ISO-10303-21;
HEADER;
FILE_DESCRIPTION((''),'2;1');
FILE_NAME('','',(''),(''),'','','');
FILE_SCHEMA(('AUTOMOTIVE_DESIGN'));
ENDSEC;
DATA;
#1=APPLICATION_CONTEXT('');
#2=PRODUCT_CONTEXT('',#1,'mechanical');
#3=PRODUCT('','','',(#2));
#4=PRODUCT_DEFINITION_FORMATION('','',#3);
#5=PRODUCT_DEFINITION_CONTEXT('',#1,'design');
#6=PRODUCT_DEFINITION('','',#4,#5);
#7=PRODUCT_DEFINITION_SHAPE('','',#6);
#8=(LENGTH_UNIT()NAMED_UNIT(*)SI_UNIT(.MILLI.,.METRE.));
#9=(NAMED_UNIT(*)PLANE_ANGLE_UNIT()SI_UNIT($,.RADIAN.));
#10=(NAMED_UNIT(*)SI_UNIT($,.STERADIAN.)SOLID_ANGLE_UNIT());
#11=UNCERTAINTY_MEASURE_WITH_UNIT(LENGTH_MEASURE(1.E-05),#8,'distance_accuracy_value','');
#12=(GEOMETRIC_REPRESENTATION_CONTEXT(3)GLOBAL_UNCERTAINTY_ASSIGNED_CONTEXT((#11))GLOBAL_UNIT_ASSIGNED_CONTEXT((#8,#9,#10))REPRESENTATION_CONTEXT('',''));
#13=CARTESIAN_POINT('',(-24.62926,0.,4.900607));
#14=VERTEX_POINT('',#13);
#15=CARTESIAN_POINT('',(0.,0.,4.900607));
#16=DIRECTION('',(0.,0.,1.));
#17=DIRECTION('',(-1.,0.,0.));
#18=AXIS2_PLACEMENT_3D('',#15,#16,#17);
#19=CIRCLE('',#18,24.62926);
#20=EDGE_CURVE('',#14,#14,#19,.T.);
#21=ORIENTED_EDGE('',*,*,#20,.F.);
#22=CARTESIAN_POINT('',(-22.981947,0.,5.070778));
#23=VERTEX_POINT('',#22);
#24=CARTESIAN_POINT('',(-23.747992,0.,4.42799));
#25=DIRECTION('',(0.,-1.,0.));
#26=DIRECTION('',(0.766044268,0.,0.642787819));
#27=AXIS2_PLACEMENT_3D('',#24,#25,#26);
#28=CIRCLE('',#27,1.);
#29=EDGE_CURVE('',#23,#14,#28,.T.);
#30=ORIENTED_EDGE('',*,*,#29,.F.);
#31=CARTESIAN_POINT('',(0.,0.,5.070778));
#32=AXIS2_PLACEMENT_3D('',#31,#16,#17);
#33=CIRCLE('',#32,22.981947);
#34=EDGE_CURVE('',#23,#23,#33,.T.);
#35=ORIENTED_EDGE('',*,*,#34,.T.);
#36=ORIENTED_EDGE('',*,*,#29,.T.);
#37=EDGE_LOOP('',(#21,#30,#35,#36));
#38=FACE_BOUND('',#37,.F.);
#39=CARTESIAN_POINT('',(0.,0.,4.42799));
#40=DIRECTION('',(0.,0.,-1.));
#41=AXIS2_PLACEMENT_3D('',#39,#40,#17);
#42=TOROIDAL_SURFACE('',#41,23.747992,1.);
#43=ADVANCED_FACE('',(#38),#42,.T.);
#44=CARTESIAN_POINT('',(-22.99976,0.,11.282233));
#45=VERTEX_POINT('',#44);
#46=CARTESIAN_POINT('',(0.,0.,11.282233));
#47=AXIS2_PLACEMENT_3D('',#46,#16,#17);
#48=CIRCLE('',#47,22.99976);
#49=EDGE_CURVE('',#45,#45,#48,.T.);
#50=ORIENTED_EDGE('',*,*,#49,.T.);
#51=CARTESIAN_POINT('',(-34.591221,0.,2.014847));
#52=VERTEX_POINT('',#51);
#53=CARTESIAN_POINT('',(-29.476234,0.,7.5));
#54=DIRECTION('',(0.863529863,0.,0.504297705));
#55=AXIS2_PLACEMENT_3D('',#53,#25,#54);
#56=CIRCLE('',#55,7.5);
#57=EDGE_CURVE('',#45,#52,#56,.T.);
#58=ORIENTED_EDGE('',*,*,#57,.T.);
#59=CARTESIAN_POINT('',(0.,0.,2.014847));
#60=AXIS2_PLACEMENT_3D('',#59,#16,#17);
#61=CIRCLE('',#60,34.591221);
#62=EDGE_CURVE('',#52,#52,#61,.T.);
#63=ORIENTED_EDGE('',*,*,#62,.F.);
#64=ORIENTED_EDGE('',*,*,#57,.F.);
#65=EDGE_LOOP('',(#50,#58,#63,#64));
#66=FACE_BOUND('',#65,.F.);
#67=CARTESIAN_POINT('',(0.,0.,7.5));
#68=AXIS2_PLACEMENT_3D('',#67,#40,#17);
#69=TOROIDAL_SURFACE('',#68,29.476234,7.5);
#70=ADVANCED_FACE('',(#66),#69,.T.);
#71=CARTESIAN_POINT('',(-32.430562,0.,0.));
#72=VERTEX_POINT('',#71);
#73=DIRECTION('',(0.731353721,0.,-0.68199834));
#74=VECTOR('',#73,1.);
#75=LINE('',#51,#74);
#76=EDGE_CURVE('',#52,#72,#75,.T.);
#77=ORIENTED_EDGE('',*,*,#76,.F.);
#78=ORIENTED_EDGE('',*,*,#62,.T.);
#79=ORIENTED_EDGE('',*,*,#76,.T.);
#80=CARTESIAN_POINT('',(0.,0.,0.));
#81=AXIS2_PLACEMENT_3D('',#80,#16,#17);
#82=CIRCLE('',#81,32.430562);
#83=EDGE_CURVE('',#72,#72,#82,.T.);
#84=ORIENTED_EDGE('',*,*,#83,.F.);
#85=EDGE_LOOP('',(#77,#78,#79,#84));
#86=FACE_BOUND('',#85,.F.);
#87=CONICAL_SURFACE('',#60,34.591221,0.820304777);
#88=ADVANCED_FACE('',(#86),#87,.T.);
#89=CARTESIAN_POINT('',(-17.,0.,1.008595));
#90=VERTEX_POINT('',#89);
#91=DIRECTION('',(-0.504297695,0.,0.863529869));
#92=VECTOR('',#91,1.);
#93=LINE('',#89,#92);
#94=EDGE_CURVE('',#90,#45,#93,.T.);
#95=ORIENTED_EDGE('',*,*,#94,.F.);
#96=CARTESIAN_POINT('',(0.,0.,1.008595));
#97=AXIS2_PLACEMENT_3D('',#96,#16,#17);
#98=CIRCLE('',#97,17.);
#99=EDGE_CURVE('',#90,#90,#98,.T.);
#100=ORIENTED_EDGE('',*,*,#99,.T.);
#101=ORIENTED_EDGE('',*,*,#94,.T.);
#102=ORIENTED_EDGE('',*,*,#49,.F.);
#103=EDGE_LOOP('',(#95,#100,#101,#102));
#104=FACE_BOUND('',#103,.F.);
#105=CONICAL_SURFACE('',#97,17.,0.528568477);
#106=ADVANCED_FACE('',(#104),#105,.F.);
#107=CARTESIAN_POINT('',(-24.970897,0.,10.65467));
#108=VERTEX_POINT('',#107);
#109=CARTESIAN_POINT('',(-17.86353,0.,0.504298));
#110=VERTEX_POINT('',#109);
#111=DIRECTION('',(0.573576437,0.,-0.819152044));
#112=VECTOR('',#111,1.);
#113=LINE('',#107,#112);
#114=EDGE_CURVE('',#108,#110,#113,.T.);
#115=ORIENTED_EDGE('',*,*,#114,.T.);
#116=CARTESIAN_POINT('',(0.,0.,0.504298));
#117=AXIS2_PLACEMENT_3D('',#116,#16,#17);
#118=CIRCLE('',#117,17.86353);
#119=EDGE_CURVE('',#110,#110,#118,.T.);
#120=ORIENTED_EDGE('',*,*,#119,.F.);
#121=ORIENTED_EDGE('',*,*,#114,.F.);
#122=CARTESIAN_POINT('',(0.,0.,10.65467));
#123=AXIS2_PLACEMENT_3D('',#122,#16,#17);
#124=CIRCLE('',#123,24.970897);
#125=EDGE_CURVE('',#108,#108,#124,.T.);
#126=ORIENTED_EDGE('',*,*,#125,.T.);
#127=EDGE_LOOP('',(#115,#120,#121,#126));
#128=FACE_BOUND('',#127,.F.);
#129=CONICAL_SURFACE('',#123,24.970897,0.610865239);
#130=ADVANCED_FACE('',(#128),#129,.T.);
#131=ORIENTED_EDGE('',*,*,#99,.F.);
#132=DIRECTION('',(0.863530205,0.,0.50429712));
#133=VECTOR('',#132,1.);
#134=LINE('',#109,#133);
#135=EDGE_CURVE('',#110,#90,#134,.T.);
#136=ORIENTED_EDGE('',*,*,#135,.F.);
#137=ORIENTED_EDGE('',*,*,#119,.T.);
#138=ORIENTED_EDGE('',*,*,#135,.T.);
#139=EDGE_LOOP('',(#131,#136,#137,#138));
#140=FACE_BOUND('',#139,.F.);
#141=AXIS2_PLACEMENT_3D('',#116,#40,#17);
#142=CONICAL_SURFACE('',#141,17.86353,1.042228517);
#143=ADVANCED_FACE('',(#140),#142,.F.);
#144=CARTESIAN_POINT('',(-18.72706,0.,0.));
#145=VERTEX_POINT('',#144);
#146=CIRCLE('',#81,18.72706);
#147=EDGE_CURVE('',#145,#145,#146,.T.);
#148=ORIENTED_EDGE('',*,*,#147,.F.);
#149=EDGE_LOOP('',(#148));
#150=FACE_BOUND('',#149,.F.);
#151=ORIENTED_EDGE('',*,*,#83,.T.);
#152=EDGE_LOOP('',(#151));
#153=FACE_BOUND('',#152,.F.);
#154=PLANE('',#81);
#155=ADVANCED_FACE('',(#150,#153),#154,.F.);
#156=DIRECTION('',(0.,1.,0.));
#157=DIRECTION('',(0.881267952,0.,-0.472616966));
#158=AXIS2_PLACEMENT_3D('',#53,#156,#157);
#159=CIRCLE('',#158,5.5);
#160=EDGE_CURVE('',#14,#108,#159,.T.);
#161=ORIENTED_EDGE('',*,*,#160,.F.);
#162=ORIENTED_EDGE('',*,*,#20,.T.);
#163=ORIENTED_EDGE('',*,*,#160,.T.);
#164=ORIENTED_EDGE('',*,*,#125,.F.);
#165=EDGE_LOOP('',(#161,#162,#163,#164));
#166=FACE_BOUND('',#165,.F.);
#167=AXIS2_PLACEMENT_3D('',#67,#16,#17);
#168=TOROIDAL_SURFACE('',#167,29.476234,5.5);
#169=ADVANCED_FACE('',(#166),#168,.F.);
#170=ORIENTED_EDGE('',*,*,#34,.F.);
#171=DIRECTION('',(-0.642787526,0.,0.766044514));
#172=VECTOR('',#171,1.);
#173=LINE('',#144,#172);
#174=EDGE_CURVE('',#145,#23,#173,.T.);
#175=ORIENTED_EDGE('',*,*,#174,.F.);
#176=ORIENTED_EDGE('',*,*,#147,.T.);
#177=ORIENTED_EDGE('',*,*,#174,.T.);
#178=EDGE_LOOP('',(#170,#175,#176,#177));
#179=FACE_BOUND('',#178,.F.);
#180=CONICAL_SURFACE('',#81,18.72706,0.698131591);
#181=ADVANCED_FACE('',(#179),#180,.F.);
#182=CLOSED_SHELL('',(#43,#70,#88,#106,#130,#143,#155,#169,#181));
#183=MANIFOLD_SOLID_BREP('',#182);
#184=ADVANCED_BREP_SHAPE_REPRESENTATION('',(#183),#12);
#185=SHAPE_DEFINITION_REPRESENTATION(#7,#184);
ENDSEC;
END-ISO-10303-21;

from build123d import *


with BuildPart() as f1:
    # F0 (on Front) → F1 (revolve)
    with BuildSketch(Plane.XZ):
        with BuildLine():
            Line((-29.476234, 0), (-18.72706, 0))
            Line((-18.72706, 0), (-22.981947, 5.070778))
            ThreePointArc((-22.981947, 5.070778), (-23.850747, 5.422697), (-24.62926, 4.900607))
            ThreePointArc((-24.62926, 4.900607), (-34.966565, 7.174021), (-24.970897, 10.65467))
            Line((-24.970897, 10.65467), (-17.86353, 0.504298))
            Line((-17.86353, 0.504298), (-17, 1.008595))
            Line((-17, 1.008595), (-22.99976, 11.282233))
            ThreePointArc((-22.99976, 11.282233), (-34.159664, 13.357942), (-34.591221, 2.014847))
            Line((-34.591221, 2.014847), (-32.430562, 0))
            Line((-32.430562, 0), (-29.476234, 0))
        make_face()
    revolve(axis=Axis((0, 0, 28.324338), (0, 0, 1)))


solid = f1.part
